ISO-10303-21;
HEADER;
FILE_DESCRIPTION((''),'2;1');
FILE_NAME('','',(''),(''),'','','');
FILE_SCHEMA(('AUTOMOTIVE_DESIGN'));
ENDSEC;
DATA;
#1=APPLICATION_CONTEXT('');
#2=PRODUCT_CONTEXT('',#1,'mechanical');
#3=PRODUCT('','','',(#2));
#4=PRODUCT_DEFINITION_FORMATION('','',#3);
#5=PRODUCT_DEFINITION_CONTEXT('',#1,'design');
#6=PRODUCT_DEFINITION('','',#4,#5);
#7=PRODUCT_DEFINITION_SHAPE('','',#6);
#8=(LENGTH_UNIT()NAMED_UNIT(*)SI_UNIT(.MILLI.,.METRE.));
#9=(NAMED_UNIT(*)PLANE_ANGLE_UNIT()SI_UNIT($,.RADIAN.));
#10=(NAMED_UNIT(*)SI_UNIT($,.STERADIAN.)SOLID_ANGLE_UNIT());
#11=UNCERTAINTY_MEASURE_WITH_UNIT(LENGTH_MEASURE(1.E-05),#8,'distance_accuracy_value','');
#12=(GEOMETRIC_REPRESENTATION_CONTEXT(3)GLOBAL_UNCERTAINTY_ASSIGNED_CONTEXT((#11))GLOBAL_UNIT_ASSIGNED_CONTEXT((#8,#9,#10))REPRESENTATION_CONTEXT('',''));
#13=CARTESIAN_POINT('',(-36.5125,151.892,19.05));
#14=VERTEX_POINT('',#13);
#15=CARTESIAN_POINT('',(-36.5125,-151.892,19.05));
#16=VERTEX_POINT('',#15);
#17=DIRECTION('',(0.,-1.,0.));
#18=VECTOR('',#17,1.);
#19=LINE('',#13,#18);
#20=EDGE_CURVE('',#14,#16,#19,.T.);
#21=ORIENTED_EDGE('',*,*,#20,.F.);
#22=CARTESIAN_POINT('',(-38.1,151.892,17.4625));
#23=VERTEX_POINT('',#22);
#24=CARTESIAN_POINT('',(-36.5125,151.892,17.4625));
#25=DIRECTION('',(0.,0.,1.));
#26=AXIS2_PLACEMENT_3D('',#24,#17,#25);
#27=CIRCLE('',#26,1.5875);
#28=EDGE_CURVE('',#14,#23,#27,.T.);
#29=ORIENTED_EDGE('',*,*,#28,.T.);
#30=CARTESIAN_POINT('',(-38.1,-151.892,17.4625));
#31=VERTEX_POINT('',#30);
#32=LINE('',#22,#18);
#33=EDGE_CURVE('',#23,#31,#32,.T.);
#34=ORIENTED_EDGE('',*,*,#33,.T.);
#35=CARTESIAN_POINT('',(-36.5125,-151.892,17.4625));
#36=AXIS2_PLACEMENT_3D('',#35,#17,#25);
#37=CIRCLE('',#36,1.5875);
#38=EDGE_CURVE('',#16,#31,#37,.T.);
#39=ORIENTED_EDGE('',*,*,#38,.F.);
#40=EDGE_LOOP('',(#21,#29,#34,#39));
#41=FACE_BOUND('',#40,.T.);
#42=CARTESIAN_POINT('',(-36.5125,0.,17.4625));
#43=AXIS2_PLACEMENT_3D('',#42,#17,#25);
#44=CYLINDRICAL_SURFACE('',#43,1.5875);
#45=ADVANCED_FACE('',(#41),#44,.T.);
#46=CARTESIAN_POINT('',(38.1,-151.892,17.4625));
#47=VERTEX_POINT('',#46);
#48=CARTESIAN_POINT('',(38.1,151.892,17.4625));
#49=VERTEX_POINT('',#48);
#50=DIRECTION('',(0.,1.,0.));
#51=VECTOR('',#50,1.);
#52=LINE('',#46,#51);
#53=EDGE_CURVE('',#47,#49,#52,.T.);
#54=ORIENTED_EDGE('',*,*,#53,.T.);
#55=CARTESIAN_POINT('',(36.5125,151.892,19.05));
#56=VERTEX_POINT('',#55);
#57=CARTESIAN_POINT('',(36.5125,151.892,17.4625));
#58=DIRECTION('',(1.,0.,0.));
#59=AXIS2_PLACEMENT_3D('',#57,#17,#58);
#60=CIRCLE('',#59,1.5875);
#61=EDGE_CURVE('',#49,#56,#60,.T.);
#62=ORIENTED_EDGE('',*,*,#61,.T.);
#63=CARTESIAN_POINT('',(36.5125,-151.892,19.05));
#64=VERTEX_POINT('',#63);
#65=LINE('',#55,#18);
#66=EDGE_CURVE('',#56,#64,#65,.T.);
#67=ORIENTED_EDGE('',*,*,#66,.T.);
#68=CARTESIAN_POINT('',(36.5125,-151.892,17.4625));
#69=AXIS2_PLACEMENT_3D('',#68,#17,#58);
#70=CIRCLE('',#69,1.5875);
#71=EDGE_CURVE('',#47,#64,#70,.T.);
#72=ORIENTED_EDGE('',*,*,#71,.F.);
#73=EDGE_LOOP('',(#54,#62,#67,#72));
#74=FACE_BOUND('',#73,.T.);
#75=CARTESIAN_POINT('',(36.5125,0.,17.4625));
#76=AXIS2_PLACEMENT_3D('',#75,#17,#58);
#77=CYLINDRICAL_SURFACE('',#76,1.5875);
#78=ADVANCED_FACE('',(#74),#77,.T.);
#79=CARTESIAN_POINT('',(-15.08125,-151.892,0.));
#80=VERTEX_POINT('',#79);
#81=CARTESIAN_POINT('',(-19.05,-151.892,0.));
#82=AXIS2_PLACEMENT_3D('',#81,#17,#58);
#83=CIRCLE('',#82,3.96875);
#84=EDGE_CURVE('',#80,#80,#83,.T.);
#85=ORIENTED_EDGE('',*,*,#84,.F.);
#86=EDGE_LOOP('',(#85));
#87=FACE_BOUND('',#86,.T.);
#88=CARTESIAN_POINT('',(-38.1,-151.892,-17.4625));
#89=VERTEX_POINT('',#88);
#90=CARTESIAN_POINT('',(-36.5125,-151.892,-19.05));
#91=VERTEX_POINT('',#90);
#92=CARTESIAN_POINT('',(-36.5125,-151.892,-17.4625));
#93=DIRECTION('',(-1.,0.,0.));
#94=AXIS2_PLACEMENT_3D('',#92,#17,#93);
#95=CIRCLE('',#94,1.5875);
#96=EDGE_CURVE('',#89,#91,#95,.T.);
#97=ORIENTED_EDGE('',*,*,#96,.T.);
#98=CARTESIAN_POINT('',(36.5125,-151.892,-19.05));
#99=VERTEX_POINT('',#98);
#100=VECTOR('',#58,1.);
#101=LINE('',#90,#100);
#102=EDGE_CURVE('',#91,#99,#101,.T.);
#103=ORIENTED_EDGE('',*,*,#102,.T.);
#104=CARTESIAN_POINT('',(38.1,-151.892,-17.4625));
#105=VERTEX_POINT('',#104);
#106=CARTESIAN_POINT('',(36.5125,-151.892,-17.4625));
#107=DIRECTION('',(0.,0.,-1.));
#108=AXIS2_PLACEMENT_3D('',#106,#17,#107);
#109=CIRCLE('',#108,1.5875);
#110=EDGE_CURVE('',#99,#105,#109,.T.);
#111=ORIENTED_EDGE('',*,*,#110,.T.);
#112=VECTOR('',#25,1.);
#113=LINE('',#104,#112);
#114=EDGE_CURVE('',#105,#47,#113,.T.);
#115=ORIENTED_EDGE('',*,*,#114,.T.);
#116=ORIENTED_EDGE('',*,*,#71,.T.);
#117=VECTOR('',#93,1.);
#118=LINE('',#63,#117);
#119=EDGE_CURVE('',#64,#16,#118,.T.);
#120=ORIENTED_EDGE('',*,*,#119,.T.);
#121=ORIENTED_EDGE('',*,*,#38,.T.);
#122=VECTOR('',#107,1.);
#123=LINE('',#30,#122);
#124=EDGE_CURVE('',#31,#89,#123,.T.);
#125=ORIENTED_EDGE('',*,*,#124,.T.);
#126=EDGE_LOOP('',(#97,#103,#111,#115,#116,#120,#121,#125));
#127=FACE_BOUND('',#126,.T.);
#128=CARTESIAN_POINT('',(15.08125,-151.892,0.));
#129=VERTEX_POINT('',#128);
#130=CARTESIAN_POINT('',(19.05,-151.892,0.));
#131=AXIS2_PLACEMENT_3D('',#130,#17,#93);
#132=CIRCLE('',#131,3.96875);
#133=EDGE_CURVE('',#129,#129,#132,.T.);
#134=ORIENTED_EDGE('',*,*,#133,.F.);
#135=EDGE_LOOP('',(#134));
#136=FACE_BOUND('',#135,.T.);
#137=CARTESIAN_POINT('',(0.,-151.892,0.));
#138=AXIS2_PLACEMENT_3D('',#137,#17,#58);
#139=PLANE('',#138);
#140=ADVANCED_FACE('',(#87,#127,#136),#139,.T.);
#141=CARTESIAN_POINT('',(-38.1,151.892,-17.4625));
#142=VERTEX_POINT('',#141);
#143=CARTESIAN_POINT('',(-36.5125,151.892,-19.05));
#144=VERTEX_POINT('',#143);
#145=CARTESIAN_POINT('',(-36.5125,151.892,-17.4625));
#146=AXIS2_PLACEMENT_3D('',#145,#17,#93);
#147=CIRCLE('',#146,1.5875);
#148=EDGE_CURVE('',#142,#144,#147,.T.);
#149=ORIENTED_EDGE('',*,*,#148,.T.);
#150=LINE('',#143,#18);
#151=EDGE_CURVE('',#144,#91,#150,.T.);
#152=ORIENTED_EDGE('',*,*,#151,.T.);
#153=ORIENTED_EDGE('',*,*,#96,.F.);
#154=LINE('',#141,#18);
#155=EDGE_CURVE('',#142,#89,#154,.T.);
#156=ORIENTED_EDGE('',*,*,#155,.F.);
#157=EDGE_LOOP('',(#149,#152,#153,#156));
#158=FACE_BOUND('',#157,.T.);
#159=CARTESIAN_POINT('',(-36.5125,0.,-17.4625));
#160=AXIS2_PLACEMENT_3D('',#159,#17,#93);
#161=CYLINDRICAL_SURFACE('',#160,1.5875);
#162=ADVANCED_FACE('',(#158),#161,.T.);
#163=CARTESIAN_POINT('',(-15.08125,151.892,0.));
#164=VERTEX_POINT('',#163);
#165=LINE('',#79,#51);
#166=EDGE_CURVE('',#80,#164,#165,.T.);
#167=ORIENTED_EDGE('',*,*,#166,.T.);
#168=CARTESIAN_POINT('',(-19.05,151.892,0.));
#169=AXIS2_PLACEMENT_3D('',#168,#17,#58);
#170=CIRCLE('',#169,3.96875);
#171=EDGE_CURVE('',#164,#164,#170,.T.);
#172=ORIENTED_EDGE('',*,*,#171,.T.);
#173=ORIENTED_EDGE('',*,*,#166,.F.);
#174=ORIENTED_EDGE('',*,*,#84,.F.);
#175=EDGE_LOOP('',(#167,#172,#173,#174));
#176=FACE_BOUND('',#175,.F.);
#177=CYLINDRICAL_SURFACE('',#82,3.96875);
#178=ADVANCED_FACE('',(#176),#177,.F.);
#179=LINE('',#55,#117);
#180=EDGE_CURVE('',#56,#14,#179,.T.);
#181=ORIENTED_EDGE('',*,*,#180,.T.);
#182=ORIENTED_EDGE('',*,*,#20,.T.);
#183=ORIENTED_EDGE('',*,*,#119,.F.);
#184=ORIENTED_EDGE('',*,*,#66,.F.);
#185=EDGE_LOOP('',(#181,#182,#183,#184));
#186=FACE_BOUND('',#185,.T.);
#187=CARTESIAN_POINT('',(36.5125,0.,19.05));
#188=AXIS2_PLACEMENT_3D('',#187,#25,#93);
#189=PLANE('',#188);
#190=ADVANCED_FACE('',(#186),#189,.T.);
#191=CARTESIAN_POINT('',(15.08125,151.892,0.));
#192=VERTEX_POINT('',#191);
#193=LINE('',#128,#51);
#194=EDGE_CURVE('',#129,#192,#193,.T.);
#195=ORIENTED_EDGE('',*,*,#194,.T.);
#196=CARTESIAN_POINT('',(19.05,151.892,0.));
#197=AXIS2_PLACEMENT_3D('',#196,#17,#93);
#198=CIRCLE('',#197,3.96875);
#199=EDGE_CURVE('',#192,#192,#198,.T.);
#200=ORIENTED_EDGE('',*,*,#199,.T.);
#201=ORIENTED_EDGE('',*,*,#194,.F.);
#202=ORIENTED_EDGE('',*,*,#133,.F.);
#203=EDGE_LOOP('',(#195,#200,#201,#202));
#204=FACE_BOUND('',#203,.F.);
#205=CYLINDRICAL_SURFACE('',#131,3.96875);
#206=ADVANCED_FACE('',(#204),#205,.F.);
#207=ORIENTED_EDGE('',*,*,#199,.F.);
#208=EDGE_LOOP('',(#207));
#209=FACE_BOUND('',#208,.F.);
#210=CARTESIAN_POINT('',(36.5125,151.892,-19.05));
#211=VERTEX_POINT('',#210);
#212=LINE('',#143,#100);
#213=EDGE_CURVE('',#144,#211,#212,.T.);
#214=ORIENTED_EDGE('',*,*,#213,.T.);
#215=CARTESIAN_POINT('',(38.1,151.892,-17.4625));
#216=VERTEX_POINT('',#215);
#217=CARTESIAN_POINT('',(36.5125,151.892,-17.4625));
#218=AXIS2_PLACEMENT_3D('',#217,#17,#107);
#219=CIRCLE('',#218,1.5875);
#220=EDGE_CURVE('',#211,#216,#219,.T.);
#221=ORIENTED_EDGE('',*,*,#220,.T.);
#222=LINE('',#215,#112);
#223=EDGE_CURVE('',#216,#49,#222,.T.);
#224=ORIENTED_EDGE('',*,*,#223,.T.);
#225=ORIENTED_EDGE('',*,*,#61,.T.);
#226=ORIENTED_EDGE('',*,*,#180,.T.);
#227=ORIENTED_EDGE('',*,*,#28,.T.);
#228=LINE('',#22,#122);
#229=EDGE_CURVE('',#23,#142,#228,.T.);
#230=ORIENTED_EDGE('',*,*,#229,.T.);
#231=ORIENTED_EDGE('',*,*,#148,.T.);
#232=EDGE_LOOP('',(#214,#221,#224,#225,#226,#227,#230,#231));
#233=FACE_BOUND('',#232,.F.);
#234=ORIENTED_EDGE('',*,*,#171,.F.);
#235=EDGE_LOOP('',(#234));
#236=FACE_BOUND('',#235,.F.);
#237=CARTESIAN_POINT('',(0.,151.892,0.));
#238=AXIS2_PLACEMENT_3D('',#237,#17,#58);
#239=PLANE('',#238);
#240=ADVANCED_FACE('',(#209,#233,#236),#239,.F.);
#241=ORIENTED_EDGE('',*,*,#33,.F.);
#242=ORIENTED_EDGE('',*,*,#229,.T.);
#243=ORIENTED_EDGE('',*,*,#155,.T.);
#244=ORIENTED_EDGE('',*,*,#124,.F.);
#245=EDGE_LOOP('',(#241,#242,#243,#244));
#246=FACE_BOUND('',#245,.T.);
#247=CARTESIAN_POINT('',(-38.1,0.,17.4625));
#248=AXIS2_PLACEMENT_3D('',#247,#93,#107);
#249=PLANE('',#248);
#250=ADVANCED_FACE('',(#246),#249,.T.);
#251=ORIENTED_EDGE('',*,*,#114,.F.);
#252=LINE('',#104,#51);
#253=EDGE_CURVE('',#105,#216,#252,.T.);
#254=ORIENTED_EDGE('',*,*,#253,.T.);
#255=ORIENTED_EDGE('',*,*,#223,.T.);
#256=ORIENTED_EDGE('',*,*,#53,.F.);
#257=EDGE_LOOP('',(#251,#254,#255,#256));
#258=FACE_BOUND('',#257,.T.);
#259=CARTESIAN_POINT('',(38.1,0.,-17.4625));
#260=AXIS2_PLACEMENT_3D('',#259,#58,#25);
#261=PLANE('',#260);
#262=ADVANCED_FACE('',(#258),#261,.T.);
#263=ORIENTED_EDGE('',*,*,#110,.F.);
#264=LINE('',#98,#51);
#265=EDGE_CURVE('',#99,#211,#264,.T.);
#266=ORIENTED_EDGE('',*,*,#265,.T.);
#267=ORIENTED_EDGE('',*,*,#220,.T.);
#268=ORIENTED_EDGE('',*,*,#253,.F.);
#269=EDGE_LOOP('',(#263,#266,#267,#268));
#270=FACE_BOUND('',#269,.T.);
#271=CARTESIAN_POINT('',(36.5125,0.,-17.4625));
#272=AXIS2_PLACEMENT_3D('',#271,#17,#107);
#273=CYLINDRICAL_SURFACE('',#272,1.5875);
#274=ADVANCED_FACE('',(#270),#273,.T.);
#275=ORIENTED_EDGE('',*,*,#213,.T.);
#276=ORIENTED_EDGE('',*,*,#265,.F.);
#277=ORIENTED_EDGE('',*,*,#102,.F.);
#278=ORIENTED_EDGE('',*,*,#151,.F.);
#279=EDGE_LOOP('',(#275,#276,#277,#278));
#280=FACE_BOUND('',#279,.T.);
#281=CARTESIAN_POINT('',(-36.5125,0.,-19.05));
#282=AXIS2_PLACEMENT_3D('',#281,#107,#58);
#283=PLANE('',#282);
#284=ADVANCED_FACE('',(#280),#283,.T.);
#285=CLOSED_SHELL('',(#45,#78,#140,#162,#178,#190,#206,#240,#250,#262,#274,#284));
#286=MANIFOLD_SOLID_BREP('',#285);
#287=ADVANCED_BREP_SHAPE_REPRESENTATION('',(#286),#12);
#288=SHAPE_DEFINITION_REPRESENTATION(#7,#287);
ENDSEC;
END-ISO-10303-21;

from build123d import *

# Parameters (mm, degrees)
F1_DEPTH = 151.892
F2_R     = 3.96875
F3_DEPTH = 303.785


with BuildPart() as f1:
    # F0 (on Front) → F1 (new body, symmetric)
    with BuildSketch(Plane.XZ):
        with BuildLine():
            ThreePointArc((38.1, 17.4625), (37.6350320151, 18.5850320151), (36.5125, 19.05))
            Line((36.5125, 19.05), (-36.5125, 19.05))
            ThreePointArc((-36.5125, 19.05), (-37.6350320151, 18.5850320151), (-38.1, 17.4625))
            Line((-38.1, 17.4625), (-38.1, -17.4625))
            ThreePointArc((-38.1, -17.4625), (-37.6350320151, -18.5850320151), (-36.5125, -19.05))
            Line((-36.5125, -19.05), (36.5125, -19.05))
            ThreePointArc((36.5125, -19.05), (37.6350320151, -18.5850320151), (38.1, -17.4625))
            Line((38.1, -17.4625), (38.1, 17.4625))
        make_face()
    extrude(amount=F1_DEPTH, both=True)

    # F2 (on face) → F3 (cut, through all)
    with BuildSketch(Plane.XZ.offset(151.892)):
        with BuildLine():
            ThreePointArc((23.01875, 0), (19.05, 3.96875), (15.08125, 0))
            ThreePointArc((15.08125, 0), (19.05, -3.96875), (23.01875, 0))
        make_face()
        with Locations((-19.05, 0)):
            Circle(F2_R)
    extrude(amount=-F3_DEPTH, mode=Mode.SUBTRACT)


solid = f1.part
